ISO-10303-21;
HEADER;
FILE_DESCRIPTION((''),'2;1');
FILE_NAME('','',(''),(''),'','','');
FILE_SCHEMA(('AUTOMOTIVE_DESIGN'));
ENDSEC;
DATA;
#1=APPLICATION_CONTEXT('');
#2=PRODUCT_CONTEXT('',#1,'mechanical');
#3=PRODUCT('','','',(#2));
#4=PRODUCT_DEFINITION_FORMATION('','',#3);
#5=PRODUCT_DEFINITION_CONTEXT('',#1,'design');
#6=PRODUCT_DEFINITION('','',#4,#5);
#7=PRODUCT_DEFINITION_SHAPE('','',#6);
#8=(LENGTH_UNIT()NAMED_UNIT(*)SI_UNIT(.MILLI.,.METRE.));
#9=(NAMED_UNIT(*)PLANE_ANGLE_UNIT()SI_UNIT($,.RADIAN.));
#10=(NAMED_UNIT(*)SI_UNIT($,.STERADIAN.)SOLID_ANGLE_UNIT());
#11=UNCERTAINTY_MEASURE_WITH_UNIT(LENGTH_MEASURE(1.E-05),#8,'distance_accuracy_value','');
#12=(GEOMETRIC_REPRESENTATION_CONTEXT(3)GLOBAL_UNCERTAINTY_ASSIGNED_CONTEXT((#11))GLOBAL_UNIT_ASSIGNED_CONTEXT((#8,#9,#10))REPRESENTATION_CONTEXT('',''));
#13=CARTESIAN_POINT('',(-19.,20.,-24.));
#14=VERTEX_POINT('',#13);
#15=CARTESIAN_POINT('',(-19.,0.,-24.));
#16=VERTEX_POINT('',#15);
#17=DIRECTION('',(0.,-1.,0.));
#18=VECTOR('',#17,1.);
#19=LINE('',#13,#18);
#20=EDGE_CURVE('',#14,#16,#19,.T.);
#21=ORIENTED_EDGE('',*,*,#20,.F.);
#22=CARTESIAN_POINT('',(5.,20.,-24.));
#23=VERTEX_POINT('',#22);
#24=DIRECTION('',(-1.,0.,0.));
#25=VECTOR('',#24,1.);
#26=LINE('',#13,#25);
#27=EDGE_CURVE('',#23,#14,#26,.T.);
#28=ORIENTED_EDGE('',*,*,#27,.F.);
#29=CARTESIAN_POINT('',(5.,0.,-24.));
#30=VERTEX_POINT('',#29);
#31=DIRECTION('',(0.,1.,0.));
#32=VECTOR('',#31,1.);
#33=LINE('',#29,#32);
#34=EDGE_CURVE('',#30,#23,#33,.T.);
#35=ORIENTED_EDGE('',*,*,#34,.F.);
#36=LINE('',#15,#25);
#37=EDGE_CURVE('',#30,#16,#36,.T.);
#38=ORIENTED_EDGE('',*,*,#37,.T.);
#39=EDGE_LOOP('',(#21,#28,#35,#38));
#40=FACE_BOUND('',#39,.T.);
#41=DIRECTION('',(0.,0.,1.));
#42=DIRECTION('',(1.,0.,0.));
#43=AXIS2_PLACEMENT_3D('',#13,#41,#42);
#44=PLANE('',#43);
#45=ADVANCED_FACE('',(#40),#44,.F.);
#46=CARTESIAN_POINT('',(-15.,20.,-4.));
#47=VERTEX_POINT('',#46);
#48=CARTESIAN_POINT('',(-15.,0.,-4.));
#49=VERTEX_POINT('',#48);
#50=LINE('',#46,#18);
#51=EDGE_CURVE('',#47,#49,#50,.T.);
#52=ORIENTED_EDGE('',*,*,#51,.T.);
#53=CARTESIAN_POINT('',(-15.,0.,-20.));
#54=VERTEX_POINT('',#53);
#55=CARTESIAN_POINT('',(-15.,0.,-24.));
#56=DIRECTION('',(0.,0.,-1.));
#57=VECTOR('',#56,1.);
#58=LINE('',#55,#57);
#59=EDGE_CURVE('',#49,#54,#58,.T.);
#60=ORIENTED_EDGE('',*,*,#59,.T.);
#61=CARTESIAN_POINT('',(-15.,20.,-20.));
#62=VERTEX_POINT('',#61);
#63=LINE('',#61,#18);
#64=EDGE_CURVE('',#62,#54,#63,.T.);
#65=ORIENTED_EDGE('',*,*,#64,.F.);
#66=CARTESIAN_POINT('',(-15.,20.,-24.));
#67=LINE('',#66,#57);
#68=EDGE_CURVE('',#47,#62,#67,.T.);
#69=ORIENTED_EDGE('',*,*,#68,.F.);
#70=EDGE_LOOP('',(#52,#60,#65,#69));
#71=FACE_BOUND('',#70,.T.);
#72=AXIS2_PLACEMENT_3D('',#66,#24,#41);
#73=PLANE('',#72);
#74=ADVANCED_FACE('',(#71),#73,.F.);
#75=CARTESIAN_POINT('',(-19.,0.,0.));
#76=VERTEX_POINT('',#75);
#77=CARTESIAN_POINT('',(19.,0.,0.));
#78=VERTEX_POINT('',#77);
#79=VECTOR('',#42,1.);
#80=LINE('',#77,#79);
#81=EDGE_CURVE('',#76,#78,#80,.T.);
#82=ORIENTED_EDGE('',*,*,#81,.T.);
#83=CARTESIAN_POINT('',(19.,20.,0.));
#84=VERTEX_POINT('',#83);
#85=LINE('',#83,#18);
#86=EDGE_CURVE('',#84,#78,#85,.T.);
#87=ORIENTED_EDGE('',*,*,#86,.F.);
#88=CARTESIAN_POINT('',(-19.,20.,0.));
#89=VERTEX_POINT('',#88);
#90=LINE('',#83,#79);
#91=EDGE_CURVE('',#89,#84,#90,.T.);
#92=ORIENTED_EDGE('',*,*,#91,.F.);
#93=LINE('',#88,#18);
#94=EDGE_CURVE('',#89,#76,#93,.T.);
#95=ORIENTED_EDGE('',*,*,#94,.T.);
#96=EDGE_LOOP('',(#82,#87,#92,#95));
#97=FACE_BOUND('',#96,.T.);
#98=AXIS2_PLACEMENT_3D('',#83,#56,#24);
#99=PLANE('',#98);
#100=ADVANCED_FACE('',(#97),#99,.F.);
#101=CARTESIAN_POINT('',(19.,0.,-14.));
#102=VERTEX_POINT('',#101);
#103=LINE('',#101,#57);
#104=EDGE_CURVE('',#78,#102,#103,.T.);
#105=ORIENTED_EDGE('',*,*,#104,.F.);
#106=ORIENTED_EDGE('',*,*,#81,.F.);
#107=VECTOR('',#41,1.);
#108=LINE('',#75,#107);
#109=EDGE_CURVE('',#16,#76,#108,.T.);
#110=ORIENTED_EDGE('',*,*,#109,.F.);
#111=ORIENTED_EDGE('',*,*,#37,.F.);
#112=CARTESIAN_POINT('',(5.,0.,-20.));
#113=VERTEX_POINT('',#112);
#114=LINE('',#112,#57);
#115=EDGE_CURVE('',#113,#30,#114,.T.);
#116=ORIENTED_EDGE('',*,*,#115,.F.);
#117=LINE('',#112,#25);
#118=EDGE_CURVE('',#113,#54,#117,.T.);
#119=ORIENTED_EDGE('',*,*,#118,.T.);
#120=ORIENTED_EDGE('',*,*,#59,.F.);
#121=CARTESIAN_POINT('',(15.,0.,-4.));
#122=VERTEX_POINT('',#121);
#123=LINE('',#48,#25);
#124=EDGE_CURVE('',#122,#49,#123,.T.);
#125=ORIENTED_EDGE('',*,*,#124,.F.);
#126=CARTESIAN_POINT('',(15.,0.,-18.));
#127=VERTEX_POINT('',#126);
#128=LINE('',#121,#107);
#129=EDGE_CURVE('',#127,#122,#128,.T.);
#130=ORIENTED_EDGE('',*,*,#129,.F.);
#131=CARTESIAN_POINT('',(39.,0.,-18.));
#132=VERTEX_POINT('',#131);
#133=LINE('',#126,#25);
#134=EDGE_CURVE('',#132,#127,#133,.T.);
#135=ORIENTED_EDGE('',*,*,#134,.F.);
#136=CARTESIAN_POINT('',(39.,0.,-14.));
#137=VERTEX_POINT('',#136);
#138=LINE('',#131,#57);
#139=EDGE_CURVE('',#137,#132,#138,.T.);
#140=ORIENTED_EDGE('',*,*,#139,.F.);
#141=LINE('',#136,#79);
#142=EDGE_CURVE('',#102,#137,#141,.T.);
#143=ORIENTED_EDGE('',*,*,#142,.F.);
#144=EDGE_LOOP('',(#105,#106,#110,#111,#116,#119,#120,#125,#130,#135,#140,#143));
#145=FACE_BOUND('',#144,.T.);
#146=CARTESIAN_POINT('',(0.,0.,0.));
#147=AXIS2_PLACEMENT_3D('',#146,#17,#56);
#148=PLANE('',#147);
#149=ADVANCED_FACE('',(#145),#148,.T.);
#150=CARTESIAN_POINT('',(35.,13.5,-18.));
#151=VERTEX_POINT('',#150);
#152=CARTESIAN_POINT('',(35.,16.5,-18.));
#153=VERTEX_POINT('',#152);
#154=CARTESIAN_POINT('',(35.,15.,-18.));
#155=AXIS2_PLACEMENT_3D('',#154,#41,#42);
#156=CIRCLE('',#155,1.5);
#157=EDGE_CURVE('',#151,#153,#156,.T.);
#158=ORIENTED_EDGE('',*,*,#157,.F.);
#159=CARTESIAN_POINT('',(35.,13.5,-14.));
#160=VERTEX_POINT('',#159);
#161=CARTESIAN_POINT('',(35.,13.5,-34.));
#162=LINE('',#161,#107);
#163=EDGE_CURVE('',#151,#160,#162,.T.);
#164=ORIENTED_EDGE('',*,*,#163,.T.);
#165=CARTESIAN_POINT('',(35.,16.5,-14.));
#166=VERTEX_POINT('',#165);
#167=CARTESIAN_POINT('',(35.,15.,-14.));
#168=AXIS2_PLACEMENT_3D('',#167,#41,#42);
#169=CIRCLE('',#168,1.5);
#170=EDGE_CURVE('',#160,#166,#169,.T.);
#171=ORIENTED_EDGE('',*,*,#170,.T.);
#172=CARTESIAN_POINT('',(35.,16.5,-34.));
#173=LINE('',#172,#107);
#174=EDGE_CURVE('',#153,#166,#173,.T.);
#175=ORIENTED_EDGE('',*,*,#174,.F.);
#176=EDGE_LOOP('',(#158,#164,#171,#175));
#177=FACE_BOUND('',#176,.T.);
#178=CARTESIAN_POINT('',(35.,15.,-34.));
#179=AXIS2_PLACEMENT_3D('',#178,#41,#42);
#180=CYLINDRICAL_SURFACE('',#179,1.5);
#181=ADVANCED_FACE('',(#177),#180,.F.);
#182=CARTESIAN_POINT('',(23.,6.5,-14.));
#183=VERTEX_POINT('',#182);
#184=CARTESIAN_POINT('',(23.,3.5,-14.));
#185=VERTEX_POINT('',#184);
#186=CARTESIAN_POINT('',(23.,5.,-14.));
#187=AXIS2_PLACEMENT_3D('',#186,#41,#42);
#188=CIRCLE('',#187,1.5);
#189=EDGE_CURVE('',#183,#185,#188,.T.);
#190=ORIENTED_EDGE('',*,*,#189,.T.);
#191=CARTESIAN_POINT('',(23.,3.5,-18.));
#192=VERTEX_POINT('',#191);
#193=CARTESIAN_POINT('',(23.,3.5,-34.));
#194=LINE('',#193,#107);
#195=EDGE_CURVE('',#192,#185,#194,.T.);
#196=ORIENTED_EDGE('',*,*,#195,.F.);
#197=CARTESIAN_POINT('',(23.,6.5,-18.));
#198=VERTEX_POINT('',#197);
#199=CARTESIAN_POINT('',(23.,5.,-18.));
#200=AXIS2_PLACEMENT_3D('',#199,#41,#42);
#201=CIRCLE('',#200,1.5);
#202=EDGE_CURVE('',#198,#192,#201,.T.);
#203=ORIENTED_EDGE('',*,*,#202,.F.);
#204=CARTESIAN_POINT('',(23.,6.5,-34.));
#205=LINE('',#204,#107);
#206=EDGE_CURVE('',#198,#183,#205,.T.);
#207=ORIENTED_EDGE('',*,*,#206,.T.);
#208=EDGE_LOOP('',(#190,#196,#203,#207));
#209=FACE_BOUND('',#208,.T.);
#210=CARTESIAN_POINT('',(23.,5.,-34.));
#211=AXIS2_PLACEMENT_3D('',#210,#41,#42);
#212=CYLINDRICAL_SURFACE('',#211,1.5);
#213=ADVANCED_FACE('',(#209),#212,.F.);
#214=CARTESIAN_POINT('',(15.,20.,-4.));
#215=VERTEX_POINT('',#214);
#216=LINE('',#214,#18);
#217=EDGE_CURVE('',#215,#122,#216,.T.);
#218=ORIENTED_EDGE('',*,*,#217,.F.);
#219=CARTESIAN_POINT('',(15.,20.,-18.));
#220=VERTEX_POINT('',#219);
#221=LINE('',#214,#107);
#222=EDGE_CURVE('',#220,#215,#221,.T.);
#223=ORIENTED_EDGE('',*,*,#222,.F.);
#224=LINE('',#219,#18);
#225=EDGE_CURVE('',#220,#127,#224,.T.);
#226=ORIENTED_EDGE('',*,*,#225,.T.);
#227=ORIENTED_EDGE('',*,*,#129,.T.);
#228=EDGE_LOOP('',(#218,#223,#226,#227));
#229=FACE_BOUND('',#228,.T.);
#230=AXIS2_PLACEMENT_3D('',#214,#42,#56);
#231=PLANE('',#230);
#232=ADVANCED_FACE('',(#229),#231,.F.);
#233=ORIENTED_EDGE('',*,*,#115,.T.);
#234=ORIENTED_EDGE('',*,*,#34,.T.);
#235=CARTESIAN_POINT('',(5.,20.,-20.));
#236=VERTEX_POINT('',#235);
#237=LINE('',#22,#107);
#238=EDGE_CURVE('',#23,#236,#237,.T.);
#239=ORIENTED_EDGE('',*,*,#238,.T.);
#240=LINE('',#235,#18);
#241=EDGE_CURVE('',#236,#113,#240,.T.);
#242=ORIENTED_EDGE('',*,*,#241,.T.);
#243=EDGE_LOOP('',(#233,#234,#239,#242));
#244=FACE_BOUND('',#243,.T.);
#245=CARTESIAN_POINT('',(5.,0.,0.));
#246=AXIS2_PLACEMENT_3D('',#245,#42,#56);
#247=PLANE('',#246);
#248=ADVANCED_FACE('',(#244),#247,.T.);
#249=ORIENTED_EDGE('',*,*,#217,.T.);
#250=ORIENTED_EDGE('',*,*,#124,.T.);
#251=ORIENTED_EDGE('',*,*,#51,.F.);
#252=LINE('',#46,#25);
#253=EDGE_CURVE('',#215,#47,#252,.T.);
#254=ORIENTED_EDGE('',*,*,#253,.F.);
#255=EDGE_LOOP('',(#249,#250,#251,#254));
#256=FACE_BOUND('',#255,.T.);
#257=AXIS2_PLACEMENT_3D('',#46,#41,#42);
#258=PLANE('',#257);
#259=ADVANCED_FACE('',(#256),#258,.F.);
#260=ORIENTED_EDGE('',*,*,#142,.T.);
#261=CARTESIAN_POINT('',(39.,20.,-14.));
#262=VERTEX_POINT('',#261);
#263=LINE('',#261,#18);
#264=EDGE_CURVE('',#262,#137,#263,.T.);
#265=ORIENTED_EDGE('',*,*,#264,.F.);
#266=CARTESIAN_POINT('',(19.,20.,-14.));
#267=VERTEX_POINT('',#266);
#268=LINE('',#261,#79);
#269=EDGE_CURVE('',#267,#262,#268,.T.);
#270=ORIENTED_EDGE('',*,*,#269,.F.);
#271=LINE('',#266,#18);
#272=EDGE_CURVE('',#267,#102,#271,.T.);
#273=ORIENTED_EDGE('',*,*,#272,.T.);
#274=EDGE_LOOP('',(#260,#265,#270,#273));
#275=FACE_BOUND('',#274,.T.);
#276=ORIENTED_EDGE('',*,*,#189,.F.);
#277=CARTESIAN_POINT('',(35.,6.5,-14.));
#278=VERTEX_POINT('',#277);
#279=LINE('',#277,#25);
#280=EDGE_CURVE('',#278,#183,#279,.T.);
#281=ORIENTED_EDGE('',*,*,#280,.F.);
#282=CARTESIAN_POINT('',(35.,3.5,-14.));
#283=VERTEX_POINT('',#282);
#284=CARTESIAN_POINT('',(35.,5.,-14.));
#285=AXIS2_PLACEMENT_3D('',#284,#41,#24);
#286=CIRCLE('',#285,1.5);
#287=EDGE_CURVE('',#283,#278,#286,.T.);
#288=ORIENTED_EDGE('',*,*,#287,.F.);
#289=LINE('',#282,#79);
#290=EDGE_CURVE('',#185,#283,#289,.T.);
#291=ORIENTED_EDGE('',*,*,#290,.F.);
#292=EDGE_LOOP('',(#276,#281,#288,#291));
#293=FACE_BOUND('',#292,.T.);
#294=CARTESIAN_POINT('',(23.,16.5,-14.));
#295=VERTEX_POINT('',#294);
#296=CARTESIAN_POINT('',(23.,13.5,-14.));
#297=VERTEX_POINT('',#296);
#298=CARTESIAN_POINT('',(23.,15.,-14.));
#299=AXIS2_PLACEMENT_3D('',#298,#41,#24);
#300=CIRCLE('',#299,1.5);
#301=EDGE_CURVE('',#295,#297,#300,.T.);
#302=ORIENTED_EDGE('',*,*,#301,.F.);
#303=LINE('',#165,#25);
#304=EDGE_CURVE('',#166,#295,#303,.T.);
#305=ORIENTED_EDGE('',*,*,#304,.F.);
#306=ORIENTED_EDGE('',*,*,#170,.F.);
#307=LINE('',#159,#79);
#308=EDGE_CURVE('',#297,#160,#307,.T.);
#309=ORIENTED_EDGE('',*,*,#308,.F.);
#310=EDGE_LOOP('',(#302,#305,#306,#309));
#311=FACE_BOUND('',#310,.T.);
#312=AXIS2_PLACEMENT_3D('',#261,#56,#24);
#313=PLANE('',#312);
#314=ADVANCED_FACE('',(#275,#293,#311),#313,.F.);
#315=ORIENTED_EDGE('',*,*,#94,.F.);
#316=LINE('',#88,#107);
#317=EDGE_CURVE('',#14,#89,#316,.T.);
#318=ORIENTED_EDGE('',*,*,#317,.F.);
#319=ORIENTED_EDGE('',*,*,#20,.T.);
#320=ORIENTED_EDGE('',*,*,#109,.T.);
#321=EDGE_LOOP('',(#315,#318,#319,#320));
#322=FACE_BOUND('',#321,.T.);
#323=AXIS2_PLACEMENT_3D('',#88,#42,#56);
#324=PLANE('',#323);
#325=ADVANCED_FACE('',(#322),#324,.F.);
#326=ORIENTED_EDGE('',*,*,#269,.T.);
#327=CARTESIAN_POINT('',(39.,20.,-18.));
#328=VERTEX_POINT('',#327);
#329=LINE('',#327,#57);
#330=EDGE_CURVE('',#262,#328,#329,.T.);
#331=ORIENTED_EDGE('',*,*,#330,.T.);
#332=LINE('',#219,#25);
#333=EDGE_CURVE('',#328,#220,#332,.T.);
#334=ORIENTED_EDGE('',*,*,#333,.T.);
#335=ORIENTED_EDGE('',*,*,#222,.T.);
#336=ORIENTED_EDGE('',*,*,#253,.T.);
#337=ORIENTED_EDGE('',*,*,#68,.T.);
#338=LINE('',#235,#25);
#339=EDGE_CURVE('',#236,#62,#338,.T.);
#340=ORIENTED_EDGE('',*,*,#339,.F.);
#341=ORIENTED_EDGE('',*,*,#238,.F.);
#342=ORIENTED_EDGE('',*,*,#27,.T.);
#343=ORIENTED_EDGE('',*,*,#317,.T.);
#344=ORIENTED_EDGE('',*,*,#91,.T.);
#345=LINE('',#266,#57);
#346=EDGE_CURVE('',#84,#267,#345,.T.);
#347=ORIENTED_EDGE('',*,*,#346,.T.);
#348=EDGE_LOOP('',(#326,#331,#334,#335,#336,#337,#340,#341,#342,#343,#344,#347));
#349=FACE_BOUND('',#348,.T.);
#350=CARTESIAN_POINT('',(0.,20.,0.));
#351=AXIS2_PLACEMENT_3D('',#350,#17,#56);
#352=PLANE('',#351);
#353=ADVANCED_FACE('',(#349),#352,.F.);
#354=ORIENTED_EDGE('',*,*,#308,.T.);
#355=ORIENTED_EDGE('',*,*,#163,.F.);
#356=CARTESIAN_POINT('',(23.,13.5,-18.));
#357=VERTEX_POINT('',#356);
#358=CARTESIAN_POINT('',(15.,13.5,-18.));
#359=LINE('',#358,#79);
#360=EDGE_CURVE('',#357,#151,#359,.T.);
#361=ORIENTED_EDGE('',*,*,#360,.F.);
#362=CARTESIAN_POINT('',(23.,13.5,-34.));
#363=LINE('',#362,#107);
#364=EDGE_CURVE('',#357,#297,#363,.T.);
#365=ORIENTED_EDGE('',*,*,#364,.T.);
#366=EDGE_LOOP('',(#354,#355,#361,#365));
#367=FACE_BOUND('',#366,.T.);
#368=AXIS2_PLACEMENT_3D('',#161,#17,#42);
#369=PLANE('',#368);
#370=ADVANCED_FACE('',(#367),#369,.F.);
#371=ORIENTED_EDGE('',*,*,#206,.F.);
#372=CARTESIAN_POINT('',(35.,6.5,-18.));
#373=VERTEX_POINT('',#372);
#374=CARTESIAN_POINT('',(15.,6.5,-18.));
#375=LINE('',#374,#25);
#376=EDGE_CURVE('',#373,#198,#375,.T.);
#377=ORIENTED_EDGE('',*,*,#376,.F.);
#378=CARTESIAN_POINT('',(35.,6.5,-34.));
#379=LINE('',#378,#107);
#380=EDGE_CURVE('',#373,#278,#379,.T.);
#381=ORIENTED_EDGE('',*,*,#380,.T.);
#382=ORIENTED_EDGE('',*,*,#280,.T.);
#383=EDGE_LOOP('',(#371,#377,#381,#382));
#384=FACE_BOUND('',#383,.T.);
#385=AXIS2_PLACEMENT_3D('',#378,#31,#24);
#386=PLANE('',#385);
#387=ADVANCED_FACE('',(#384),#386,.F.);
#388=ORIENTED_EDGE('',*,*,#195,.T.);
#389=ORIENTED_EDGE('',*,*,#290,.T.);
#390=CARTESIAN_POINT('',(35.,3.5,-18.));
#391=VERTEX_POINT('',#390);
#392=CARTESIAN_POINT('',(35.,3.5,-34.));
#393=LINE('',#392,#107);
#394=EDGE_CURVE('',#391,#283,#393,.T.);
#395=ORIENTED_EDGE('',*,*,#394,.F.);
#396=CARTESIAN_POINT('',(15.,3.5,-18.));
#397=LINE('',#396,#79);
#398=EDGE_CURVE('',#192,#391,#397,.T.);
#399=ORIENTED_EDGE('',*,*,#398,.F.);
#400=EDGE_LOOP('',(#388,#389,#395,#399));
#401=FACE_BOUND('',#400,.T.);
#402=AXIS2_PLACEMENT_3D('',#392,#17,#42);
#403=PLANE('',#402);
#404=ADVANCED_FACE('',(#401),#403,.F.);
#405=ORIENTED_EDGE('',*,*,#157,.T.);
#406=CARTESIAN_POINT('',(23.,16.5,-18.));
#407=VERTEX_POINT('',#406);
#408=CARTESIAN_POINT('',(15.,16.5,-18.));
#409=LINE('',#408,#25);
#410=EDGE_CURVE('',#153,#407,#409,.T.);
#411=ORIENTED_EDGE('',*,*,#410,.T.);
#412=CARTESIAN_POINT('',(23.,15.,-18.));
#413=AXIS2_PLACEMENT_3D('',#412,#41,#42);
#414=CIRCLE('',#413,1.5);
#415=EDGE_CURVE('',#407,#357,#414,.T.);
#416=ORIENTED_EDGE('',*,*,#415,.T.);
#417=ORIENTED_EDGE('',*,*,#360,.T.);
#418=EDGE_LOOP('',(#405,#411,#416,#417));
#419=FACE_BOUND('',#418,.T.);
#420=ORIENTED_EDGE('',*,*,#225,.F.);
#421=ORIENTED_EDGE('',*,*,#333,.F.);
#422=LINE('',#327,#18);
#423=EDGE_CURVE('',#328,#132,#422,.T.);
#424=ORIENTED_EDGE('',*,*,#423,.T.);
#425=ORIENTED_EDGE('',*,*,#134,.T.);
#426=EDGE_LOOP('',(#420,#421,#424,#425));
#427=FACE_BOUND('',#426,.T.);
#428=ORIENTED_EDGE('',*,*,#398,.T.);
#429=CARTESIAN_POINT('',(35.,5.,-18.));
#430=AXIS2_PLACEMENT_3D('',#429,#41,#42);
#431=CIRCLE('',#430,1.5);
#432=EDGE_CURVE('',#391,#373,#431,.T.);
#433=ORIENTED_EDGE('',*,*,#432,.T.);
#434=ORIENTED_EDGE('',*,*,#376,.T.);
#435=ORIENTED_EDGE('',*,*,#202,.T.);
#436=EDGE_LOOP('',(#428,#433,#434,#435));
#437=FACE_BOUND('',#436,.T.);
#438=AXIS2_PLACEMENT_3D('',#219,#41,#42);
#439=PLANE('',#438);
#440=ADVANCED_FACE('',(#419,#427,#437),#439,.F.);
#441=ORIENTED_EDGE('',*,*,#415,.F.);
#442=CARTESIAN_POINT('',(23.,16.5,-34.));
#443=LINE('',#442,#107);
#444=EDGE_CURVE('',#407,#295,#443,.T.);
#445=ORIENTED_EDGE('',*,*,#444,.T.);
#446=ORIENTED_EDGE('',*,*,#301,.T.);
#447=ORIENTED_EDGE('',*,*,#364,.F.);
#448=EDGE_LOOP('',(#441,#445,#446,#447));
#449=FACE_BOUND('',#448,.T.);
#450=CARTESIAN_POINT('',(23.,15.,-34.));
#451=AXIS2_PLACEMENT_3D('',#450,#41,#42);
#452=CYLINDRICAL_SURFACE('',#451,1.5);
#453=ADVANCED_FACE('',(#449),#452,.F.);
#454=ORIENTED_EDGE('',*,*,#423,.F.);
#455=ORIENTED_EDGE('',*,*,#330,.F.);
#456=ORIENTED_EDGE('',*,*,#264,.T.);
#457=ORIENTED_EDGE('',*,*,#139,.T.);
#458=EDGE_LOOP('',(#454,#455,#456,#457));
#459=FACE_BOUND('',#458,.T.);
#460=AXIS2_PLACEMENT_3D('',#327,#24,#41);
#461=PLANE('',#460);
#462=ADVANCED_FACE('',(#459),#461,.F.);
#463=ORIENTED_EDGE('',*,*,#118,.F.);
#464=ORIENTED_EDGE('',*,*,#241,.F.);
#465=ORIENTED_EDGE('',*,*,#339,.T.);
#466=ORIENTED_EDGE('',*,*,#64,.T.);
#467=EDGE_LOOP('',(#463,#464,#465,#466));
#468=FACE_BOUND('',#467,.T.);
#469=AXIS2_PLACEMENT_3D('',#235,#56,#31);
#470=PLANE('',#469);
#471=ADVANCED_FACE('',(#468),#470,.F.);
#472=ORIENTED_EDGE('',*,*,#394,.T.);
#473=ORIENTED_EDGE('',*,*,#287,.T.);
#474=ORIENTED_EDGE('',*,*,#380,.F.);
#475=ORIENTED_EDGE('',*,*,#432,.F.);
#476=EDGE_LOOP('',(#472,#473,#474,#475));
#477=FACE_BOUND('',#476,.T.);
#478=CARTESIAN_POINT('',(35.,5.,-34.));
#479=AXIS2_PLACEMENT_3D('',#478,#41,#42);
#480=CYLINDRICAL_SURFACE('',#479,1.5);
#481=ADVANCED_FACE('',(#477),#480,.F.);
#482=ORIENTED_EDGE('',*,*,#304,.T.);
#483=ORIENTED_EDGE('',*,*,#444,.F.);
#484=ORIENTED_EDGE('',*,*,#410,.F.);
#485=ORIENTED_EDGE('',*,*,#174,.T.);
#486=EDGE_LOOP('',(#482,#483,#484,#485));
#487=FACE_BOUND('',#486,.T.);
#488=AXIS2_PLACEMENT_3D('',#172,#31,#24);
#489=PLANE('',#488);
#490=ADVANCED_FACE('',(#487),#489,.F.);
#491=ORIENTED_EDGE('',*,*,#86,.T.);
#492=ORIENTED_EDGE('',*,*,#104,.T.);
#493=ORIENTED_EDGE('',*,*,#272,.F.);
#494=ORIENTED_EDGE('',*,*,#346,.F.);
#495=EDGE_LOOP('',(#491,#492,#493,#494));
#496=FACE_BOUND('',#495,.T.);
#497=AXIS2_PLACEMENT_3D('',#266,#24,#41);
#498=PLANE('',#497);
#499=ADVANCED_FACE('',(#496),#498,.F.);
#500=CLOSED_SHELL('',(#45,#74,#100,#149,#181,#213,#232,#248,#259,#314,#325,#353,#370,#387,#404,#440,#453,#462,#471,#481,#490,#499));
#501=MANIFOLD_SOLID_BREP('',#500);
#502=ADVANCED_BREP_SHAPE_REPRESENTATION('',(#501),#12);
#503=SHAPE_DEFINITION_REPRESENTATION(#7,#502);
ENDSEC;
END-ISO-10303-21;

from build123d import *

# Parameters (mm, degrees)
SALIENTE_EXTRUIR1_DEPTH = 20
CORTAR_EXTRUIR1_DEPTH   = 20
CROQUIS3_W              = 4
CROQUIS3_H              = 20
SALIENTE_EXTRUIR2_DEPTH = 20


with BuildPart() as part:
    # Croquis1 → Saliente-Extruir1 (new body)
    with BuildSketch(Plane(origin=(0, 0, 0), x_dir=(1, 0, 0), z_dir=(0, 1, 0))):
        Polygon((-19, 24), (-15, 24), (-15, 4), (15, 4), (15, 18), (39, 18), (39, 14), (19, 14), (19, 0), (-19, 0), align=None)
    extrude(amount=SALIENTE_EXTRUIR1_DEPTH)

    # Croquis2 → Cortar-Extruir1 (cut)
    with BuildSketch(Plane.XY.offset(-14)):
        with BuildLine():
            Line((35, 16.5), (23, 16.5))
            ThreePointArc((23, 16.5), (21.5, 15), (23, 13.5))
            Line((23, 13.5), (35, 13.5))
            ThreePointArc((35, 13.5), (36.5, 15), (35, 16.5))
        make_face()
        with BuildLine():
            Line((35, 3.5), (23, 3.5))
            ThreePointArc((23, 3.5), (21.5, 5), (23, 6.5))
            Line((23, 6.5), (35, 6.5))
            ThreePointArc((35, 6.5), (36.5, 5), (35, 3.5))
        make_face()
    extrude(amount=-CORTAR_EXTRUIR1_DEPTH, mode=Mode.SUBTRACT)

    # Croquis3 → Saliente-Extruir2 (add)
    with BuildSketch(Plane(origin=(-15, 0, 0), x_dir=(0, 0, -1), z_dir=(1, 0, 0))):
        with Locations((22, 10)):
            Rectangle(CROQUIS3_W, CROQUIS3_H)
    extrude(amount=SALIENTE_EXTRUIR2_DEPTH)


solid = part.part
